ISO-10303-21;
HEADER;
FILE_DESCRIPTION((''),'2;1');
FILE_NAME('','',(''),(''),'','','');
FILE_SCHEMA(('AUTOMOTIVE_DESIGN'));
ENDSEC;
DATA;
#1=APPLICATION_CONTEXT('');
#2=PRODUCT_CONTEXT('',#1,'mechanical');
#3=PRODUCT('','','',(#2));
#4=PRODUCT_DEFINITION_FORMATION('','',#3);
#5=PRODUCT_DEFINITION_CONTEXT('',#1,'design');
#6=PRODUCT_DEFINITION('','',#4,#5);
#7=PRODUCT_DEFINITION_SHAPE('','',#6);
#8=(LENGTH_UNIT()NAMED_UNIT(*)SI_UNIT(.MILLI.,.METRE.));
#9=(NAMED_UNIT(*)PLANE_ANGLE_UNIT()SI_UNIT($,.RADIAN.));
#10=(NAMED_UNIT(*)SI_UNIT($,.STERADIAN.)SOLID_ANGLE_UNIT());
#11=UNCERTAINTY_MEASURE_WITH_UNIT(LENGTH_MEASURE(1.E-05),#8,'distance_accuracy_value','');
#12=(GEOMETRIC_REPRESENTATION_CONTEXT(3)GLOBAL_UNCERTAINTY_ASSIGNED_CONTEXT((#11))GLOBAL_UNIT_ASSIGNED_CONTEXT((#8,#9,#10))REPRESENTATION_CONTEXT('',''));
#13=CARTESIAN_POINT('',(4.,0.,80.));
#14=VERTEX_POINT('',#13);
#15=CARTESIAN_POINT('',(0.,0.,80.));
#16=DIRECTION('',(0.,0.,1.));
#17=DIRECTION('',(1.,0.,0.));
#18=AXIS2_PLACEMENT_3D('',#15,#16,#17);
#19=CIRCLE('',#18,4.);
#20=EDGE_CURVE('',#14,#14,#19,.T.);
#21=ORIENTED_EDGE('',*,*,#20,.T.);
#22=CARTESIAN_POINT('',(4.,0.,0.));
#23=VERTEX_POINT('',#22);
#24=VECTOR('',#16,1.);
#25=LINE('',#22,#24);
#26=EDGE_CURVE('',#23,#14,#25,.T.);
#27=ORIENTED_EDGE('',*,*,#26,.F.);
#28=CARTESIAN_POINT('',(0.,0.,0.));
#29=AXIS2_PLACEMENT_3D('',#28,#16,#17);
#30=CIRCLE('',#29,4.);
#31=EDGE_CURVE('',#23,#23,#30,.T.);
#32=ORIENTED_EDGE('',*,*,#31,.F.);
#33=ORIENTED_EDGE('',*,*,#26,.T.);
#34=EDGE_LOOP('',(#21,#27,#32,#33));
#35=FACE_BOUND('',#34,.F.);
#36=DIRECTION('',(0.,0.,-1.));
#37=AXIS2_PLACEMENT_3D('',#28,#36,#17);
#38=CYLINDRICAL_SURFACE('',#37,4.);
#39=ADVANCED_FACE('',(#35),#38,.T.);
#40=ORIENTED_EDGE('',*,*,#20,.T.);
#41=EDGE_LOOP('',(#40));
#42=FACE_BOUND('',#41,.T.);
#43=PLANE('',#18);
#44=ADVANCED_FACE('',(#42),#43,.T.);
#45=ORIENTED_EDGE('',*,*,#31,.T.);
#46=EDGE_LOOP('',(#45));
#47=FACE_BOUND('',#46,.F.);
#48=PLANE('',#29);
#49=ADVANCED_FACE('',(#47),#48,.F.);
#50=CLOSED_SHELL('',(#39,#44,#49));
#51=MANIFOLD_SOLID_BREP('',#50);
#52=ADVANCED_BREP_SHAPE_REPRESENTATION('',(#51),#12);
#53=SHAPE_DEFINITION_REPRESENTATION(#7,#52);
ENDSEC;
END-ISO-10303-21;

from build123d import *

# Parameters (mm, degrees)
SKETCH_1_R      = 4
EXTRUDE_1_DEPTH = 80


with BuildPart() as part:
    # 草图1 → 凸台-拉伸1 (new body)
    with BuildSketch(Plane.XY):
        Circle(SKETCH_1_R)
    extrude(amount=EXTRUDE_1_DEPTH)


solid = part.part
